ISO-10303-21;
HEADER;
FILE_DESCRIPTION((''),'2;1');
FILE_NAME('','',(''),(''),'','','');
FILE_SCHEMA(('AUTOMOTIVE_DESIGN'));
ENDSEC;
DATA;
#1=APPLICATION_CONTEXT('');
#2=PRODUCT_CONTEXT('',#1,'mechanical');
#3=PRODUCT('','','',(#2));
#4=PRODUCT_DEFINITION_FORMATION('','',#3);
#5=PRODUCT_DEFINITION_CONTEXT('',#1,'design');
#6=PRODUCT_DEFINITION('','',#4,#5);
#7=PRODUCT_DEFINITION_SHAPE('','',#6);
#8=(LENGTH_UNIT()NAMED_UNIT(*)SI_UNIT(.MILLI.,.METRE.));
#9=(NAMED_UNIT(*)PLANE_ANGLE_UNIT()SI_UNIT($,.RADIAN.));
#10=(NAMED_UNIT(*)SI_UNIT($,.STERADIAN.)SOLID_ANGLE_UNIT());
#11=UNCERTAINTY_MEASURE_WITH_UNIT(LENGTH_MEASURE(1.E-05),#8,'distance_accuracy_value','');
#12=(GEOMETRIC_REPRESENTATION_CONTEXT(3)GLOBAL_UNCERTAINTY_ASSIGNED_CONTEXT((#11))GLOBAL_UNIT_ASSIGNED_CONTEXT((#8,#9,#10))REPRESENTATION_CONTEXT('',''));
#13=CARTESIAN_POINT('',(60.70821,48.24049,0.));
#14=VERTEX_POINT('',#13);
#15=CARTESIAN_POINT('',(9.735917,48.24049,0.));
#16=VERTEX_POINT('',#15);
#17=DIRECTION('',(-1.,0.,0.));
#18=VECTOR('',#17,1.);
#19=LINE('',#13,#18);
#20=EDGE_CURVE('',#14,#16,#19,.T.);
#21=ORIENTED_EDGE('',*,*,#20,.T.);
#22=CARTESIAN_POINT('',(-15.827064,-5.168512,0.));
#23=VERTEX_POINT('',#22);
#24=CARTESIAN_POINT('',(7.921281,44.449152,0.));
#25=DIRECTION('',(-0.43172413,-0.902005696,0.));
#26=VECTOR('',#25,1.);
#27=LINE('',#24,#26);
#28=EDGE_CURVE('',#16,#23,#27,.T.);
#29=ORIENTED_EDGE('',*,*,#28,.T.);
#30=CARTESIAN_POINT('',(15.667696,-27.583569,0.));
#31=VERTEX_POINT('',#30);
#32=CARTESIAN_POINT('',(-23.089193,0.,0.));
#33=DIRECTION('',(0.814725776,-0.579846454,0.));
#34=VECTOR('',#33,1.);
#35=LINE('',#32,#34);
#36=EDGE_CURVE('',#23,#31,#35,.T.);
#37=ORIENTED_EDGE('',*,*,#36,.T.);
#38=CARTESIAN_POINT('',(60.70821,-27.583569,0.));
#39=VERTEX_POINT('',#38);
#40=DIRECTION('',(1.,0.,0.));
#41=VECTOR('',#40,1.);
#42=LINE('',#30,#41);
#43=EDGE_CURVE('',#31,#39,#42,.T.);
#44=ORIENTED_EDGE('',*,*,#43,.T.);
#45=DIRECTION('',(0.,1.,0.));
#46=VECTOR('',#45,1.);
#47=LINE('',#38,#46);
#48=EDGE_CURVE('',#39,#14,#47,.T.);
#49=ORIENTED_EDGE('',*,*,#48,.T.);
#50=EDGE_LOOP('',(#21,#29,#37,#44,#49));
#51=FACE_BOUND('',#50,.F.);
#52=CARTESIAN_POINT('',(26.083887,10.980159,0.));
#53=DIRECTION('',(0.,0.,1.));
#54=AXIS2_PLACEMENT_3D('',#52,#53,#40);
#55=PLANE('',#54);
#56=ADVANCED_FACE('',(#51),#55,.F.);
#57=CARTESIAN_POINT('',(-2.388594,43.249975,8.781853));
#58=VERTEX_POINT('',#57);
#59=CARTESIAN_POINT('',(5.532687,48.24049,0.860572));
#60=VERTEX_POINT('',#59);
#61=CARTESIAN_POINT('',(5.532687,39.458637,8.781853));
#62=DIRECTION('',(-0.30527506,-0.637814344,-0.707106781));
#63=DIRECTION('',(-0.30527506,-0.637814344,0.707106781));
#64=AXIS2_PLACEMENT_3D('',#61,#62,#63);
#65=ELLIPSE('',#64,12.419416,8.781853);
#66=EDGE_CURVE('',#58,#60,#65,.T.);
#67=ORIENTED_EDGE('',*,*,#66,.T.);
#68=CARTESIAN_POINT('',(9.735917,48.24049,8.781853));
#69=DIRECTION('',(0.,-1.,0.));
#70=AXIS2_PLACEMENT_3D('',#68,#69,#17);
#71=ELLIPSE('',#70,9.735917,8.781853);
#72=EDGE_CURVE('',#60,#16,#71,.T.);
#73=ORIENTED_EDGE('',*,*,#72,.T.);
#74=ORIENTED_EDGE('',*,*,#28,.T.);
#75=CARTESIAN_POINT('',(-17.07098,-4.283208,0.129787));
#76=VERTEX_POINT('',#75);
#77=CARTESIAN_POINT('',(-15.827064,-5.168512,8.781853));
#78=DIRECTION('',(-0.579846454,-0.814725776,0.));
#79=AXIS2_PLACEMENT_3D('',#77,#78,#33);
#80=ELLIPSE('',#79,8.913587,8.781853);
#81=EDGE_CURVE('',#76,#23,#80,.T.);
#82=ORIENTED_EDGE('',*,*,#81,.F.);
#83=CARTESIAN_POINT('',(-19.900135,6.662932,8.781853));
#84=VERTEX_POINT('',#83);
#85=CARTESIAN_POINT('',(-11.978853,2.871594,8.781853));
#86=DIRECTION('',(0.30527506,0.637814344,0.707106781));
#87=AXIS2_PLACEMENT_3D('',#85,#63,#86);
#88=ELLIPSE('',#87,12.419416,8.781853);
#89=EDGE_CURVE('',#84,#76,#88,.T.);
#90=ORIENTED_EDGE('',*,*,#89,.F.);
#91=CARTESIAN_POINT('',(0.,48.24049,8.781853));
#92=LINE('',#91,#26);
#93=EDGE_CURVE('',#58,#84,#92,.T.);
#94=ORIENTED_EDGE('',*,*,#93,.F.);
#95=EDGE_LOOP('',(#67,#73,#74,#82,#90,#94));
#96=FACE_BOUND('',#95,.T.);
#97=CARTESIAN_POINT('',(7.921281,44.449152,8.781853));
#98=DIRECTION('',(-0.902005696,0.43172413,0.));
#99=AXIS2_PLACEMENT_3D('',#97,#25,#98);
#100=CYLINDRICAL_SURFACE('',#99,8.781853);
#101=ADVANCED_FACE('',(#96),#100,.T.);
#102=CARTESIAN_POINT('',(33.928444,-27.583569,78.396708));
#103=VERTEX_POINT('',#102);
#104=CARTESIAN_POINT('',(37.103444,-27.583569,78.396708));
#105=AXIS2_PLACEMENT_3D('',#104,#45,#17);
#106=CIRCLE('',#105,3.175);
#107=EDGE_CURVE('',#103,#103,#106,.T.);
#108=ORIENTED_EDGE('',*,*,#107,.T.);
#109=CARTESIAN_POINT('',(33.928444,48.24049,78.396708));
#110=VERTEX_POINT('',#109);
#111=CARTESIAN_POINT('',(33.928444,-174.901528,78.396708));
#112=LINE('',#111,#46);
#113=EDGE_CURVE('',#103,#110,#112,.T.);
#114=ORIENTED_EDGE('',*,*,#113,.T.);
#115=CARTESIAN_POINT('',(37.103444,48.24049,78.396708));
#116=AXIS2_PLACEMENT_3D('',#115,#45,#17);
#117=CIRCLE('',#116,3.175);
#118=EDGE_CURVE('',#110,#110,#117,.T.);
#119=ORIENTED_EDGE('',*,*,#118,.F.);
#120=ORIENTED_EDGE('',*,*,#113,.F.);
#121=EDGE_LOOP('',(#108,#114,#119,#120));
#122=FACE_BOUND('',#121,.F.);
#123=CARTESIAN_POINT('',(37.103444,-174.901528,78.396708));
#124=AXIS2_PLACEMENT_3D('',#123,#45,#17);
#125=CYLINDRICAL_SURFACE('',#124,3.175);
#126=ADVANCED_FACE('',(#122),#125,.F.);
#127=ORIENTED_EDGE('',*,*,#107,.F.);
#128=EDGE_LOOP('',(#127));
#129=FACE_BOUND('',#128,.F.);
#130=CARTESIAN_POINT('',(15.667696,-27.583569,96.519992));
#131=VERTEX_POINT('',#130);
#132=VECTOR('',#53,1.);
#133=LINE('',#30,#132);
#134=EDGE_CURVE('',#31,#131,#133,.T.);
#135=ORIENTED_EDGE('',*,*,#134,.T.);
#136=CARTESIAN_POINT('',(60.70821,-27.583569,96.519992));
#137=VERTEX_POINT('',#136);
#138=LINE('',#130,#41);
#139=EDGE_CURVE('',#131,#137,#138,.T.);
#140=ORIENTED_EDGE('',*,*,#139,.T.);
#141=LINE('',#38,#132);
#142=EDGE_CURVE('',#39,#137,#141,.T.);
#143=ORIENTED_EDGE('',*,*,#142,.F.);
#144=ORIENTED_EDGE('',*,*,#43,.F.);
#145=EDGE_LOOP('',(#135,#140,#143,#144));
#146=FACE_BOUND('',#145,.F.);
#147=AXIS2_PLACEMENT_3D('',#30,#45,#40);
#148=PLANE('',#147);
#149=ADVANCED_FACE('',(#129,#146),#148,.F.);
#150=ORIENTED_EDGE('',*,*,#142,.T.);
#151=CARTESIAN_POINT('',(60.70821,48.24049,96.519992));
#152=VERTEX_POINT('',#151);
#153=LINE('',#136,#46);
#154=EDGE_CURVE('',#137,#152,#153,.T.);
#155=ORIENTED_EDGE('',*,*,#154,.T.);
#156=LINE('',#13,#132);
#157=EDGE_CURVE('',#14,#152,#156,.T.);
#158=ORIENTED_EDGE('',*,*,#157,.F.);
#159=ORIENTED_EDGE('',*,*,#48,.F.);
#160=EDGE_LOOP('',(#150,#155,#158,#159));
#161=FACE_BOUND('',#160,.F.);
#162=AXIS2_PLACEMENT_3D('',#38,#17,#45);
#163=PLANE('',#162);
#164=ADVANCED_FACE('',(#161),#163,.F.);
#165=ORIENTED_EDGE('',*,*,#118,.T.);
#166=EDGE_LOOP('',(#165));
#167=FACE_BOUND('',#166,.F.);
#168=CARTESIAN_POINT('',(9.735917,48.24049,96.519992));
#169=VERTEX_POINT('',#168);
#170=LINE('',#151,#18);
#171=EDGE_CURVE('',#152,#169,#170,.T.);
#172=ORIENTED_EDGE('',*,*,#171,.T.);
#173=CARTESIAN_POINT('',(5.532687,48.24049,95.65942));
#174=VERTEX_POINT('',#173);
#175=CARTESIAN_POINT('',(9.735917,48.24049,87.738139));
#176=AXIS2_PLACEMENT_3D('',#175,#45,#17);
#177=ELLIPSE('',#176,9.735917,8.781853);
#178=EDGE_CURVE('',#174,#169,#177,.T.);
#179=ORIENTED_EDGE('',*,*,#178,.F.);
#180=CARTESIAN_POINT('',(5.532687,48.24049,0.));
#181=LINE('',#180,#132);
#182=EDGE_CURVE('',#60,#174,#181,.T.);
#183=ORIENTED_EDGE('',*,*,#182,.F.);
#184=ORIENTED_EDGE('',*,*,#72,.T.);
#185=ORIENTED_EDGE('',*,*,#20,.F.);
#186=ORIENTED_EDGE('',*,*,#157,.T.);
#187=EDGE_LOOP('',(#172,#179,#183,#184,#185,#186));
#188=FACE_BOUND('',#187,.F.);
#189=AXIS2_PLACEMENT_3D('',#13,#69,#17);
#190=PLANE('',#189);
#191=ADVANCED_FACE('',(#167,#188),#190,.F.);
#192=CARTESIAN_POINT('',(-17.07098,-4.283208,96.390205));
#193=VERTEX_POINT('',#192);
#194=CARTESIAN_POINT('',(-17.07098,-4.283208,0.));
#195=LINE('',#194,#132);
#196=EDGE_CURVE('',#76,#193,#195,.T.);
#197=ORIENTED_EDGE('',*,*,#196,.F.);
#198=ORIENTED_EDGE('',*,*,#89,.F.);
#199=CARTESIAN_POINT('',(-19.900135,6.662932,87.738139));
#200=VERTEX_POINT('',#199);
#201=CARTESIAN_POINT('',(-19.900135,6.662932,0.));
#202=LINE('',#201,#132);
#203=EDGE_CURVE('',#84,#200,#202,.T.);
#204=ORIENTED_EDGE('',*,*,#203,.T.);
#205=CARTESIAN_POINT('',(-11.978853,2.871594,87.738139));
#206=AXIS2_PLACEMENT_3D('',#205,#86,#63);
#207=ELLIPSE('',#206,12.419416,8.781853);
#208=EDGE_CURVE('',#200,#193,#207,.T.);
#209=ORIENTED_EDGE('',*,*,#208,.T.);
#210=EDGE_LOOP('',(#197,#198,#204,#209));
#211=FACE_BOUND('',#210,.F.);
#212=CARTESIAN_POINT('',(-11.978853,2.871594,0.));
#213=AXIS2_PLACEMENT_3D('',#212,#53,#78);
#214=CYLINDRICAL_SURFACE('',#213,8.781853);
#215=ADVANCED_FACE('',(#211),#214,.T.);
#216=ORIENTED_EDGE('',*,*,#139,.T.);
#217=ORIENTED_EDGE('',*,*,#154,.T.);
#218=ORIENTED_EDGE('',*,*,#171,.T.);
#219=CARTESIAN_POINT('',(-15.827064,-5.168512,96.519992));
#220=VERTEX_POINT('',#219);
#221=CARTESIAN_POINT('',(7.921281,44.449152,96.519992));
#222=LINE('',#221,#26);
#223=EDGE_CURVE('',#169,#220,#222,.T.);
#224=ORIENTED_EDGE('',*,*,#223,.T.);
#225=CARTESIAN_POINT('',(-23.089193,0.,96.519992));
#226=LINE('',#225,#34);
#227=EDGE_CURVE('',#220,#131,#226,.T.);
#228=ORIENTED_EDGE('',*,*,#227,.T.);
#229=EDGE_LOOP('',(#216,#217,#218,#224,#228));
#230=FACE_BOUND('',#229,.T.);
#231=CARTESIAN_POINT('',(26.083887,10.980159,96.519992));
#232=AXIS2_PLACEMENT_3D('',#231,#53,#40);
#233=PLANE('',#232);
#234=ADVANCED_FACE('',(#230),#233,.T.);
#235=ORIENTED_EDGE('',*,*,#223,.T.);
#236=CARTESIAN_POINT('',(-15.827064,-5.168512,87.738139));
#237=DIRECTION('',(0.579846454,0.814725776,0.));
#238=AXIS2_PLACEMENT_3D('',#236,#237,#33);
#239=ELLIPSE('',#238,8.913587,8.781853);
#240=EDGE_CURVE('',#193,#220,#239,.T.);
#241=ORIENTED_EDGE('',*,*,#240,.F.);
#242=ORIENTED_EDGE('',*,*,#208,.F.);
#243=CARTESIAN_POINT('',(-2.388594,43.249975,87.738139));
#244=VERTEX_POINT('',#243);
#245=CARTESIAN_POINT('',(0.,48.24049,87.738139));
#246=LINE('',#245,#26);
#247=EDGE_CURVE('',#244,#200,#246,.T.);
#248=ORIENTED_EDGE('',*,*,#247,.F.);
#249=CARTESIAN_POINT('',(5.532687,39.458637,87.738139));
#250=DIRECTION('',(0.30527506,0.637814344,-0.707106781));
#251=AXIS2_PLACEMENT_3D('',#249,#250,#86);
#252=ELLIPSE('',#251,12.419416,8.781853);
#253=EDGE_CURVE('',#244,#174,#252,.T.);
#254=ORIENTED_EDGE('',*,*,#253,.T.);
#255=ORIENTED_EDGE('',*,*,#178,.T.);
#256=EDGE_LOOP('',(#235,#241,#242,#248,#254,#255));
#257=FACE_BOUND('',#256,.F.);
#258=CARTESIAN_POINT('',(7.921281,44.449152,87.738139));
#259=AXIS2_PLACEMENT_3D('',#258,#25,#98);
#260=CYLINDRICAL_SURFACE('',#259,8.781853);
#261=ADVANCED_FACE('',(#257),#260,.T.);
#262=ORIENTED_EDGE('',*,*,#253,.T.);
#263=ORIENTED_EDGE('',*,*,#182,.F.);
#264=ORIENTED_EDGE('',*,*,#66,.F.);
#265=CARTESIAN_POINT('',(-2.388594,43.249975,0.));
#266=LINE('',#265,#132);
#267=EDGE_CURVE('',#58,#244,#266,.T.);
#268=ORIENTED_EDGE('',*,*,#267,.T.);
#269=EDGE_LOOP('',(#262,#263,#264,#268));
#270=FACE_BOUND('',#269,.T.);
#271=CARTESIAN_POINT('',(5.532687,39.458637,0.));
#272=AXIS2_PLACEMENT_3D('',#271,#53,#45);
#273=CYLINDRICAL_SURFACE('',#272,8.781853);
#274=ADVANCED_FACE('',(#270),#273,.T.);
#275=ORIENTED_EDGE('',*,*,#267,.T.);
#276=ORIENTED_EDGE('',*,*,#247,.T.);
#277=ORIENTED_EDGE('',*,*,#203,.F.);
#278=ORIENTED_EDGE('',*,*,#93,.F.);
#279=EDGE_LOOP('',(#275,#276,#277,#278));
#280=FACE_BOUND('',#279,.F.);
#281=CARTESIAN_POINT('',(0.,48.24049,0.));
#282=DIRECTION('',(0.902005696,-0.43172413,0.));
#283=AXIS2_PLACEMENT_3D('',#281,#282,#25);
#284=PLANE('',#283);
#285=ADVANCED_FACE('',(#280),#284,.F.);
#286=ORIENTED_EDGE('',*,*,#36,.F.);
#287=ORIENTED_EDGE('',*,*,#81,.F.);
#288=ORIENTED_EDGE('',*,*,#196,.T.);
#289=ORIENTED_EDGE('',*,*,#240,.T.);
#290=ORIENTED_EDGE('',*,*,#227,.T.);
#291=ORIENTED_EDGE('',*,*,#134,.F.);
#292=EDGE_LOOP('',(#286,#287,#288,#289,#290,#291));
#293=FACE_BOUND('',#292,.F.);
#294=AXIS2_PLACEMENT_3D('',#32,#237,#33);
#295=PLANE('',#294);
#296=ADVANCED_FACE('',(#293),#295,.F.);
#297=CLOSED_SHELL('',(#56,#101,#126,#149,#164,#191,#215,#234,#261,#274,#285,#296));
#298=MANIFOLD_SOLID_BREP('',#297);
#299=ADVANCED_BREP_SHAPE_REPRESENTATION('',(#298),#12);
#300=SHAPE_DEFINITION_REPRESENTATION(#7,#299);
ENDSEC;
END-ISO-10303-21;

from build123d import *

# Parameters (mm, degrees)
F1_DEPTH = 96.519992
F2_R     = 8.781853
F4_D     = 6.35


with BuildPart() as f1:
    # F0 (on Top) → F1 (new body)
    with BuildSketch(Plane.XY):
        Polygon((-23.089193, 0), (15.667696, -27.583569), (60.70821, -27.583569), (60.70821, 48.24049), (0, 48.24049), align=None)
    extrude(amount=F1_DEPTH)

    # F2
    f2_edges = [f1.edges().sort_by_distance(p)[0] for p in [
        (0, 48.24049, 48.259996),
        (-23.089193, 0, 48.259996),
        (-11.544596, 24.120245, 0),
        (-11.544596, 24.120245, 96.519992),
    ]]
    fillet(f2_edges, radius=F2_R)

    # F4 (through all)
    with Locations(Plane.XZ.offset(27.583569)):
        with Locations((37.103444, 78.396708)):
            Hole(F4_D / 2)


solid = f1.part
